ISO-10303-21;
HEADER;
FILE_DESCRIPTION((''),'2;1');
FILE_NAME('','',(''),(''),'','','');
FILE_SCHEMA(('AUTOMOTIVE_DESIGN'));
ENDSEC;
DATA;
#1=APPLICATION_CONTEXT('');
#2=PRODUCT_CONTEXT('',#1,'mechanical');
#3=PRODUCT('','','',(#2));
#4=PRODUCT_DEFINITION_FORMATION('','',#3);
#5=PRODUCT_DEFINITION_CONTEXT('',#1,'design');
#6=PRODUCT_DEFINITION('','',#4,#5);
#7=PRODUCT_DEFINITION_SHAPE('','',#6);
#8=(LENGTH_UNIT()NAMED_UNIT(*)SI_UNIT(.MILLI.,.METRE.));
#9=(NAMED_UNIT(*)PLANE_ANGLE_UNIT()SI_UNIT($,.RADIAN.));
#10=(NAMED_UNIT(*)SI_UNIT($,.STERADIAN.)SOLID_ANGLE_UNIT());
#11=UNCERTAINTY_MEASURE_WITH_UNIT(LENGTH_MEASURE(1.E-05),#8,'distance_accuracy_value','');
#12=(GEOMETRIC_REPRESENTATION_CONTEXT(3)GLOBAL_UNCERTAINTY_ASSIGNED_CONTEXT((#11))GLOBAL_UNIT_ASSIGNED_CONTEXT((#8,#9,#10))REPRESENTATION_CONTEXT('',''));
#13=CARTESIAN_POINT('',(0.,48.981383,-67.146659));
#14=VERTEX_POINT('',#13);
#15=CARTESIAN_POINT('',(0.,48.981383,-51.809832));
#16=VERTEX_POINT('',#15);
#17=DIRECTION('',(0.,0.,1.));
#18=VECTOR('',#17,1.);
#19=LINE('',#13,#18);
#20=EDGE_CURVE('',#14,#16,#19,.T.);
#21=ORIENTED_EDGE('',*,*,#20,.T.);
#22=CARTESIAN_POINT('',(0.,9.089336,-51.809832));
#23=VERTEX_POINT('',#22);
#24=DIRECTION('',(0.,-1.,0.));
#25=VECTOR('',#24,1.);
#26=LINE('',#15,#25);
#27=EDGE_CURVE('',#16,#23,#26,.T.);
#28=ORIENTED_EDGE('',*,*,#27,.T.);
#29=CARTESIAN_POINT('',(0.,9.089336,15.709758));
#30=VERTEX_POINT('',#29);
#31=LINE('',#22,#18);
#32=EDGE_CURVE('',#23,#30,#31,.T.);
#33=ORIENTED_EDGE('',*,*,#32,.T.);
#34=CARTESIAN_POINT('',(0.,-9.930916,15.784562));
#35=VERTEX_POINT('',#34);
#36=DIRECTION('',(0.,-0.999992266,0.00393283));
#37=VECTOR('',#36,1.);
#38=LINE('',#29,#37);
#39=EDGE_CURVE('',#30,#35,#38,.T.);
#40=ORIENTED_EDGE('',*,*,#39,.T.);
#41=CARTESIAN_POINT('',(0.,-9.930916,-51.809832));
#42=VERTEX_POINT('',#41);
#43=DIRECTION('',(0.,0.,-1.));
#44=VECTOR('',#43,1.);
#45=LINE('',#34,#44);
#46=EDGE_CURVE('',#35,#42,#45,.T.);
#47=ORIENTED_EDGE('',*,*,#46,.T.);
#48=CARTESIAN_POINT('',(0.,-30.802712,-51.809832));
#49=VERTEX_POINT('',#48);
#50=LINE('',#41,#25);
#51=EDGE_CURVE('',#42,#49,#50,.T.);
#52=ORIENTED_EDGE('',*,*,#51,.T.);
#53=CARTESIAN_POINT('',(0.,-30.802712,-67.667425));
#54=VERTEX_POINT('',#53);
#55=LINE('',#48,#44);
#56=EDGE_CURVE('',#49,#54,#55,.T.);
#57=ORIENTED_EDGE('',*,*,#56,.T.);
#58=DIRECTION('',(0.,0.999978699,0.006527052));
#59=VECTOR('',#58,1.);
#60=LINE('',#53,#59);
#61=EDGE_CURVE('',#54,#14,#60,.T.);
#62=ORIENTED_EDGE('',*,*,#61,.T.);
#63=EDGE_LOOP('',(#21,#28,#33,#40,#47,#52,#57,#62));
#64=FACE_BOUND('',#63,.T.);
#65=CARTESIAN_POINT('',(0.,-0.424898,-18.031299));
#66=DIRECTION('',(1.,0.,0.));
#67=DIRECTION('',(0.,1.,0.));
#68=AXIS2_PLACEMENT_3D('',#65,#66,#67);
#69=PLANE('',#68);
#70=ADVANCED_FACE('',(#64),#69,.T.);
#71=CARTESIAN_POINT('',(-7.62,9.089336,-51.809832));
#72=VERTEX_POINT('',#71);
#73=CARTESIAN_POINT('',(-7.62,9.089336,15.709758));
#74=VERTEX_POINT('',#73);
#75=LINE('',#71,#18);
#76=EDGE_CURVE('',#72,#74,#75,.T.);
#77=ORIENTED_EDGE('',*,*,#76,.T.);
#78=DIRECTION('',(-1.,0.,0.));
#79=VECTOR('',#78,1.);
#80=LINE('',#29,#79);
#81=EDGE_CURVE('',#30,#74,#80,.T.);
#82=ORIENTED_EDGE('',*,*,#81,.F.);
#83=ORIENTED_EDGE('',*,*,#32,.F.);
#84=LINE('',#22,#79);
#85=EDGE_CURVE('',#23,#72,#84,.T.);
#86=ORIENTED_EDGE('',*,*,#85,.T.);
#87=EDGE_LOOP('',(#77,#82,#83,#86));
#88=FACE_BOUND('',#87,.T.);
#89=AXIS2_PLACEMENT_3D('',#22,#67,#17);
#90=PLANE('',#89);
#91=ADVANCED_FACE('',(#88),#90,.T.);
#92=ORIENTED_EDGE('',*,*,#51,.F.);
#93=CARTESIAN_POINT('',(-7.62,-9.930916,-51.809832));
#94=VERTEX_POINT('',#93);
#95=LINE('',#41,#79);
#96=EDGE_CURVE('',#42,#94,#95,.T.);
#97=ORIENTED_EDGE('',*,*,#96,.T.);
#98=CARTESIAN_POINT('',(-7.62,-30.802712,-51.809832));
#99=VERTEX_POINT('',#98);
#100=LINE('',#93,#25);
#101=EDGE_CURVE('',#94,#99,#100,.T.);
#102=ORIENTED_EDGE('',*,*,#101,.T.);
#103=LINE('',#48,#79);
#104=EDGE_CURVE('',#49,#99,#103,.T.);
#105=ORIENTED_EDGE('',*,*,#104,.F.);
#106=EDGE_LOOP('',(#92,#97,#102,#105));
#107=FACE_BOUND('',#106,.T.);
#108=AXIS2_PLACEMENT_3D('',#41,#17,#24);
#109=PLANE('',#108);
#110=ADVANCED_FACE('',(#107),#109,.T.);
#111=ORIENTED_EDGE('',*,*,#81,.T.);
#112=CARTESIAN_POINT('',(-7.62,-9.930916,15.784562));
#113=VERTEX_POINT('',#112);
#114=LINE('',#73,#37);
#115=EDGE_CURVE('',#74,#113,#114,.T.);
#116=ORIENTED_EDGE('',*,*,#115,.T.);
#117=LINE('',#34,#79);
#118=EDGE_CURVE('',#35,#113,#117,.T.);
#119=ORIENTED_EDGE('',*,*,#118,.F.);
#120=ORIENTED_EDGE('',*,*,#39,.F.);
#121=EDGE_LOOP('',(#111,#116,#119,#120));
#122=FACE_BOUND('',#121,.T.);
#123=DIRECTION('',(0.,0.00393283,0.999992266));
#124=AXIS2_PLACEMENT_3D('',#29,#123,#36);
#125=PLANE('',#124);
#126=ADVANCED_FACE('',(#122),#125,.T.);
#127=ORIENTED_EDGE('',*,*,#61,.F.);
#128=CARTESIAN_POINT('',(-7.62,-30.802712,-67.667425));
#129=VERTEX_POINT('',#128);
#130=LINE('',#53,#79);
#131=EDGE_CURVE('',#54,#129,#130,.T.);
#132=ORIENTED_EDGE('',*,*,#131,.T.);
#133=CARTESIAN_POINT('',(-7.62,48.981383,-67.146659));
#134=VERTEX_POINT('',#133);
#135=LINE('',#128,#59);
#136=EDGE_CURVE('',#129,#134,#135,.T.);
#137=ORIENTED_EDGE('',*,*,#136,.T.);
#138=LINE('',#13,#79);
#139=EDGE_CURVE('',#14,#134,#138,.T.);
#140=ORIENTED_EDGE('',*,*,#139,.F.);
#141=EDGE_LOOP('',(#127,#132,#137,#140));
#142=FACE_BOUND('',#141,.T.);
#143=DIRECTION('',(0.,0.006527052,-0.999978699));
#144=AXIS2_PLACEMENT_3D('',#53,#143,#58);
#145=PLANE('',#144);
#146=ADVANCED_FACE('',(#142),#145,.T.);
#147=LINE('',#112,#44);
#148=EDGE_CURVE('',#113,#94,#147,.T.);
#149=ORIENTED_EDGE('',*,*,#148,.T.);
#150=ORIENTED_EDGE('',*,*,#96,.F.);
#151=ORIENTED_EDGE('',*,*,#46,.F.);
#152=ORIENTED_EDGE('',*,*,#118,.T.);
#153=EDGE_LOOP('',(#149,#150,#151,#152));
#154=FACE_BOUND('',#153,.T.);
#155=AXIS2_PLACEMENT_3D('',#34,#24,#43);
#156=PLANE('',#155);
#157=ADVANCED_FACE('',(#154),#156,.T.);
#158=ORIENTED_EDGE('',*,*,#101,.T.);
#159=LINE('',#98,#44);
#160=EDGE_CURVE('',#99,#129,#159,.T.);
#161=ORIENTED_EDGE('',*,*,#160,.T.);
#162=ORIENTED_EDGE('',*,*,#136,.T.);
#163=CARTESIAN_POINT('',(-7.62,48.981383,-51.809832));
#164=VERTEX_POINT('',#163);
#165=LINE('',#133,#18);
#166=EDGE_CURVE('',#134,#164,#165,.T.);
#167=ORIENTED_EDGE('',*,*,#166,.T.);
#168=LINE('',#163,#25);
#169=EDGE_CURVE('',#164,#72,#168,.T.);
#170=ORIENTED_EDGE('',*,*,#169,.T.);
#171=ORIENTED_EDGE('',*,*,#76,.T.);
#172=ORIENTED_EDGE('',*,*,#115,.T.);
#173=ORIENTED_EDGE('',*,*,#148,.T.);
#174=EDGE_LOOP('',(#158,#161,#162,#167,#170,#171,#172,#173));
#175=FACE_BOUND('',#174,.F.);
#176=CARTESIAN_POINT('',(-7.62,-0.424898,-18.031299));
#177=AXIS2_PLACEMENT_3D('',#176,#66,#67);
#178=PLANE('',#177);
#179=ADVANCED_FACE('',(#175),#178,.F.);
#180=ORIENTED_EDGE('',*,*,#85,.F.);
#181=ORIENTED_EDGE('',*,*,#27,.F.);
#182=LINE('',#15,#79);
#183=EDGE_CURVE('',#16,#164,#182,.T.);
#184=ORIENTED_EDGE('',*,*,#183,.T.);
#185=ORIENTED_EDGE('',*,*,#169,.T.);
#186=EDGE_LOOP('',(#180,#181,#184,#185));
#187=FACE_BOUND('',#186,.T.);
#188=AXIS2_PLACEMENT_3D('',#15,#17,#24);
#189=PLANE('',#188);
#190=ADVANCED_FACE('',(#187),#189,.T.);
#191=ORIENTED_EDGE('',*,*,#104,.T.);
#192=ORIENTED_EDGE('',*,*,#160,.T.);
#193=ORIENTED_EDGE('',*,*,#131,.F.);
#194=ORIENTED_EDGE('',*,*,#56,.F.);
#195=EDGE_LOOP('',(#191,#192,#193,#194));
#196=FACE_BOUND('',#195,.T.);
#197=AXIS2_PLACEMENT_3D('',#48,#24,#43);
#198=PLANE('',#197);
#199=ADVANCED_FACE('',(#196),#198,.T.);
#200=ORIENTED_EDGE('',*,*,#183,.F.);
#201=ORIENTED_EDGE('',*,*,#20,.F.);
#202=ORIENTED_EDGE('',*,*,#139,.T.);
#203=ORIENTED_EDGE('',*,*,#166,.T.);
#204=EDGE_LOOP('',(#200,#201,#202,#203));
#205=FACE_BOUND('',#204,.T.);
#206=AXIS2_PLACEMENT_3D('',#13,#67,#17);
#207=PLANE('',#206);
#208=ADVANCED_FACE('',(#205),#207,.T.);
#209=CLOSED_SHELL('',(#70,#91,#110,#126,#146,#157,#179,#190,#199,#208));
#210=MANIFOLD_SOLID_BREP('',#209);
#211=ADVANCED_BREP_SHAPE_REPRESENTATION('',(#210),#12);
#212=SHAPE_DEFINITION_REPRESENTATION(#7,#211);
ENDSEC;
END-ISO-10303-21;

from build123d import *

# Parameters (mm, degrees)
F2_DEPTH = 7.62


with BuildPart() as f2:
    # F1 (on Right) → F2 (new body)
    with BuildSketch(Plane.YZ):
        Polygon((-9.930916, 15.784562), (-9.930916, -51.809832), (9.089336, -51.809832), (9.089336, 15.709758), align=None)
        Polygon((-9.930916, -51.809832), (-30.802712, -51.809832), (-30.802712, -67.667425), (48.981383, -67.146659), (48.981383, -51.809832), (9.089336, -51.809832), align=None)
    extrude(amount=-F2_DEPTH)


solid = f2.part
